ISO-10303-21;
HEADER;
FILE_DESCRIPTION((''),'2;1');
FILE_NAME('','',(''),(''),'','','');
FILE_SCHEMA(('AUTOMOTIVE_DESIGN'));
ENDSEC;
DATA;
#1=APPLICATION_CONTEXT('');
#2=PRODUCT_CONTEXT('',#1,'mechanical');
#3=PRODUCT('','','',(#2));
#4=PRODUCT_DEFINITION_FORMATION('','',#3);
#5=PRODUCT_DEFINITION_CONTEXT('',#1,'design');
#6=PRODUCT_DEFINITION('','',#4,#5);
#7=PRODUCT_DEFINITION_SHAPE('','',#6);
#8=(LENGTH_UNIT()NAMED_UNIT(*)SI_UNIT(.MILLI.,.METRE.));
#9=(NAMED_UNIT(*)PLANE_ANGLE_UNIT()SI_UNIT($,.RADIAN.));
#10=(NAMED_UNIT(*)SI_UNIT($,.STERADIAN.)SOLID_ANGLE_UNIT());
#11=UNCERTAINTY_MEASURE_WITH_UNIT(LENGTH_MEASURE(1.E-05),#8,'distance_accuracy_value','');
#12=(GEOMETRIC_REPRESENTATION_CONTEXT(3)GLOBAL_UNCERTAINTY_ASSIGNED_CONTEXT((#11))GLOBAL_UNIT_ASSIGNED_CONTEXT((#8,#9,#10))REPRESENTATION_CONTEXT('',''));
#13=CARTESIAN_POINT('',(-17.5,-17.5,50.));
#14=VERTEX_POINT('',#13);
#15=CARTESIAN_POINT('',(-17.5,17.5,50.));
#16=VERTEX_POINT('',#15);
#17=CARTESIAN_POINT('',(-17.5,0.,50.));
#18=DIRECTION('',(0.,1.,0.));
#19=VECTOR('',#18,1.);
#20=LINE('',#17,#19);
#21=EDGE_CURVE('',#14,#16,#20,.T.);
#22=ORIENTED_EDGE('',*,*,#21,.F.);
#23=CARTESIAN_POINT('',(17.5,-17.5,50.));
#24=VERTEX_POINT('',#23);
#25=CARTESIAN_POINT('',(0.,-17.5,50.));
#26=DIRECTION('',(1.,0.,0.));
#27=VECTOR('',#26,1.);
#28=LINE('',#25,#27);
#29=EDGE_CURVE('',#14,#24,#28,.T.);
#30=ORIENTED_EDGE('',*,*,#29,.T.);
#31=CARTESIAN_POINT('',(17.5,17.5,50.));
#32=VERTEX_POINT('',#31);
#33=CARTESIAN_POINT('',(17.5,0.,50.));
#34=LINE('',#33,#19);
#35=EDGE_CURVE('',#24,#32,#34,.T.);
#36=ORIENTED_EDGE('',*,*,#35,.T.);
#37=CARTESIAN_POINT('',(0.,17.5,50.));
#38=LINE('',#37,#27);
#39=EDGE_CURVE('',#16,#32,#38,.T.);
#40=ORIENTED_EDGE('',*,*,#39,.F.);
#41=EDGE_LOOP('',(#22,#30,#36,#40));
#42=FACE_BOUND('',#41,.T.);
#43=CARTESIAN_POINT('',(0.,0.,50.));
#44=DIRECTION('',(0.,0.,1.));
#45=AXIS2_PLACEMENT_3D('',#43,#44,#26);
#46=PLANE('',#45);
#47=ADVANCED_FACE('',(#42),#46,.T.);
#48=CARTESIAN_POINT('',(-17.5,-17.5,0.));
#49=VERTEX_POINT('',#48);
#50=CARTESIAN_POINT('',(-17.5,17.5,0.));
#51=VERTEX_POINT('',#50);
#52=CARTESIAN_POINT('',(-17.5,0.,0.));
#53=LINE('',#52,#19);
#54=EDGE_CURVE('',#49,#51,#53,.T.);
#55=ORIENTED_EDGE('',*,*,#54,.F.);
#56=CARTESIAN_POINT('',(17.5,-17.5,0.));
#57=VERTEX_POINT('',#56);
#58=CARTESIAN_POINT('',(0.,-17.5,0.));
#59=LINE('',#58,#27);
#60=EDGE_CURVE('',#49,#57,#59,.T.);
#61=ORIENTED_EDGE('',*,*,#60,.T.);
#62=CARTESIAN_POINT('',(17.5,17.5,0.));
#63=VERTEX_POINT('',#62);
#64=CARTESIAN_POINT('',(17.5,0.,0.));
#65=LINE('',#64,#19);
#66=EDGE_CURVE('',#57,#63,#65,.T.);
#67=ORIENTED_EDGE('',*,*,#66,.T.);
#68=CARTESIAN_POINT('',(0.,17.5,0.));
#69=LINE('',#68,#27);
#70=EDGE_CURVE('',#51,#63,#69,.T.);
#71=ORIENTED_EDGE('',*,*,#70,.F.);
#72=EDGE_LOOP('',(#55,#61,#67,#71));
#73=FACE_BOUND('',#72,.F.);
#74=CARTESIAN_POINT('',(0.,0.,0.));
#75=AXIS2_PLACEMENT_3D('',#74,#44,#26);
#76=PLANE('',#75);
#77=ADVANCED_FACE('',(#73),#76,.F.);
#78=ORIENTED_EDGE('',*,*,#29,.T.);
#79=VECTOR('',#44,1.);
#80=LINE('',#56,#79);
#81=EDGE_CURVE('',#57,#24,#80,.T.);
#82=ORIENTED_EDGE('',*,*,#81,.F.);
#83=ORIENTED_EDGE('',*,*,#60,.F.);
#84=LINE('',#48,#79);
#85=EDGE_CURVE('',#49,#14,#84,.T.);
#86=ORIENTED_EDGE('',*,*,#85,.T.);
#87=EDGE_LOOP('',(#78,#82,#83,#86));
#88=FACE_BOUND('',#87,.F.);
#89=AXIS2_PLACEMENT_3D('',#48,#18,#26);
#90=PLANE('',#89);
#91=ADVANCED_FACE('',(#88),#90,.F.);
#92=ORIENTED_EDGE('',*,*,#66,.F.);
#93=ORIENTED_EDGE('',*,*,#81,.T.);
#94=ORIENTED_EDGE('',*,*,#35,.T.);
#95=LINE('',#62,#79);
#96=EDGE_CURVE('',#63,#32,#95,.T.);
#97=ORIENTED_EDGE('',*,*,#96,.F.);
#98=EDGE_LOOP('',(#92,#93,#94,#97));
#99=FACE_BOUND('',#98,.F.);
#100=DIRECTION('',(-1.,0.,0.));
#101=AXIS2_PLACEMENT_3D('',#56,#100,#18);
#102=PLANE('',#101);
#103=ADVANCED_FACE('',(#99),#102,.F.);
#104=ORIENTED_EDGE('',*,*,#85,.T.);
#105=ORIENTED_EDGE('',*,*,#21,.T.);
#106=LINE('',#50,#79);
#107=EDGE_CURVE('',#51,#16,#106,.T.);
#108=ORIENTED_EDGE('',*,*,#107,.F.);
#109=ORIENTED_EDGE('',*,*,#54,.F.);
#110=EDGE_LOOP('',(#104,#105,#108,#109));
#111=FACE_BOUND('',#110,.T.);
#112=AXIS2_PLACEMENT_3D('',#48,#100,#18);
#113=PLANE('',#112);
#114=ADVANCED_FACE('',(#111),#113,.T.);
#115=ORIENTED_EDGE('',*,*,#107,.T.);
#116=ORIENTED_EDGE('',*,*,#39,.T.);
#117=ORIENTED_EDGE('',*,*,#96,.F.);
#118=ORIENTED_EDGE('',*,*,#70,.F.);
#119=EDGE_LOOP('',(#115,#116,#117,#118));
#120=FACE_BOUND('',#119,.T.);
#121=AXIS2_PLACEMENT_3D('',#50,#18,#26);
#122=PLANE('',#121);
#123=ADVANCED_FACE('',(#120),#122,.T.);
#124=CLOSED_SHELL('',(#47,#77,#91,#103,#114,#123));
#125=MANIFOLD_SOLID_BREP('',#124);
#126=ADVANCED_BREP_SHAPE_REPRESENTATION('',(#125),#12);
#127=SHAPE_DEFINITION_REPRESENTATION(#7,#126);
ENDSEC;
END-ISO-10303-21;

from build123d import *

# Parameters (mm, degrees)
SKETCH_W      = 35
SKETCH_H      = 35
EXTRUDE_DEPTH = 50


with BuildPart() as part:
    # Sketch → Extrude (new body)
    with BuildSketch(Plane.XY):
        Rectangle(SKETCH_W, SKETCH_H)
    extrude(amount=EXTRUDE_DEPTH)


solid = part.part
